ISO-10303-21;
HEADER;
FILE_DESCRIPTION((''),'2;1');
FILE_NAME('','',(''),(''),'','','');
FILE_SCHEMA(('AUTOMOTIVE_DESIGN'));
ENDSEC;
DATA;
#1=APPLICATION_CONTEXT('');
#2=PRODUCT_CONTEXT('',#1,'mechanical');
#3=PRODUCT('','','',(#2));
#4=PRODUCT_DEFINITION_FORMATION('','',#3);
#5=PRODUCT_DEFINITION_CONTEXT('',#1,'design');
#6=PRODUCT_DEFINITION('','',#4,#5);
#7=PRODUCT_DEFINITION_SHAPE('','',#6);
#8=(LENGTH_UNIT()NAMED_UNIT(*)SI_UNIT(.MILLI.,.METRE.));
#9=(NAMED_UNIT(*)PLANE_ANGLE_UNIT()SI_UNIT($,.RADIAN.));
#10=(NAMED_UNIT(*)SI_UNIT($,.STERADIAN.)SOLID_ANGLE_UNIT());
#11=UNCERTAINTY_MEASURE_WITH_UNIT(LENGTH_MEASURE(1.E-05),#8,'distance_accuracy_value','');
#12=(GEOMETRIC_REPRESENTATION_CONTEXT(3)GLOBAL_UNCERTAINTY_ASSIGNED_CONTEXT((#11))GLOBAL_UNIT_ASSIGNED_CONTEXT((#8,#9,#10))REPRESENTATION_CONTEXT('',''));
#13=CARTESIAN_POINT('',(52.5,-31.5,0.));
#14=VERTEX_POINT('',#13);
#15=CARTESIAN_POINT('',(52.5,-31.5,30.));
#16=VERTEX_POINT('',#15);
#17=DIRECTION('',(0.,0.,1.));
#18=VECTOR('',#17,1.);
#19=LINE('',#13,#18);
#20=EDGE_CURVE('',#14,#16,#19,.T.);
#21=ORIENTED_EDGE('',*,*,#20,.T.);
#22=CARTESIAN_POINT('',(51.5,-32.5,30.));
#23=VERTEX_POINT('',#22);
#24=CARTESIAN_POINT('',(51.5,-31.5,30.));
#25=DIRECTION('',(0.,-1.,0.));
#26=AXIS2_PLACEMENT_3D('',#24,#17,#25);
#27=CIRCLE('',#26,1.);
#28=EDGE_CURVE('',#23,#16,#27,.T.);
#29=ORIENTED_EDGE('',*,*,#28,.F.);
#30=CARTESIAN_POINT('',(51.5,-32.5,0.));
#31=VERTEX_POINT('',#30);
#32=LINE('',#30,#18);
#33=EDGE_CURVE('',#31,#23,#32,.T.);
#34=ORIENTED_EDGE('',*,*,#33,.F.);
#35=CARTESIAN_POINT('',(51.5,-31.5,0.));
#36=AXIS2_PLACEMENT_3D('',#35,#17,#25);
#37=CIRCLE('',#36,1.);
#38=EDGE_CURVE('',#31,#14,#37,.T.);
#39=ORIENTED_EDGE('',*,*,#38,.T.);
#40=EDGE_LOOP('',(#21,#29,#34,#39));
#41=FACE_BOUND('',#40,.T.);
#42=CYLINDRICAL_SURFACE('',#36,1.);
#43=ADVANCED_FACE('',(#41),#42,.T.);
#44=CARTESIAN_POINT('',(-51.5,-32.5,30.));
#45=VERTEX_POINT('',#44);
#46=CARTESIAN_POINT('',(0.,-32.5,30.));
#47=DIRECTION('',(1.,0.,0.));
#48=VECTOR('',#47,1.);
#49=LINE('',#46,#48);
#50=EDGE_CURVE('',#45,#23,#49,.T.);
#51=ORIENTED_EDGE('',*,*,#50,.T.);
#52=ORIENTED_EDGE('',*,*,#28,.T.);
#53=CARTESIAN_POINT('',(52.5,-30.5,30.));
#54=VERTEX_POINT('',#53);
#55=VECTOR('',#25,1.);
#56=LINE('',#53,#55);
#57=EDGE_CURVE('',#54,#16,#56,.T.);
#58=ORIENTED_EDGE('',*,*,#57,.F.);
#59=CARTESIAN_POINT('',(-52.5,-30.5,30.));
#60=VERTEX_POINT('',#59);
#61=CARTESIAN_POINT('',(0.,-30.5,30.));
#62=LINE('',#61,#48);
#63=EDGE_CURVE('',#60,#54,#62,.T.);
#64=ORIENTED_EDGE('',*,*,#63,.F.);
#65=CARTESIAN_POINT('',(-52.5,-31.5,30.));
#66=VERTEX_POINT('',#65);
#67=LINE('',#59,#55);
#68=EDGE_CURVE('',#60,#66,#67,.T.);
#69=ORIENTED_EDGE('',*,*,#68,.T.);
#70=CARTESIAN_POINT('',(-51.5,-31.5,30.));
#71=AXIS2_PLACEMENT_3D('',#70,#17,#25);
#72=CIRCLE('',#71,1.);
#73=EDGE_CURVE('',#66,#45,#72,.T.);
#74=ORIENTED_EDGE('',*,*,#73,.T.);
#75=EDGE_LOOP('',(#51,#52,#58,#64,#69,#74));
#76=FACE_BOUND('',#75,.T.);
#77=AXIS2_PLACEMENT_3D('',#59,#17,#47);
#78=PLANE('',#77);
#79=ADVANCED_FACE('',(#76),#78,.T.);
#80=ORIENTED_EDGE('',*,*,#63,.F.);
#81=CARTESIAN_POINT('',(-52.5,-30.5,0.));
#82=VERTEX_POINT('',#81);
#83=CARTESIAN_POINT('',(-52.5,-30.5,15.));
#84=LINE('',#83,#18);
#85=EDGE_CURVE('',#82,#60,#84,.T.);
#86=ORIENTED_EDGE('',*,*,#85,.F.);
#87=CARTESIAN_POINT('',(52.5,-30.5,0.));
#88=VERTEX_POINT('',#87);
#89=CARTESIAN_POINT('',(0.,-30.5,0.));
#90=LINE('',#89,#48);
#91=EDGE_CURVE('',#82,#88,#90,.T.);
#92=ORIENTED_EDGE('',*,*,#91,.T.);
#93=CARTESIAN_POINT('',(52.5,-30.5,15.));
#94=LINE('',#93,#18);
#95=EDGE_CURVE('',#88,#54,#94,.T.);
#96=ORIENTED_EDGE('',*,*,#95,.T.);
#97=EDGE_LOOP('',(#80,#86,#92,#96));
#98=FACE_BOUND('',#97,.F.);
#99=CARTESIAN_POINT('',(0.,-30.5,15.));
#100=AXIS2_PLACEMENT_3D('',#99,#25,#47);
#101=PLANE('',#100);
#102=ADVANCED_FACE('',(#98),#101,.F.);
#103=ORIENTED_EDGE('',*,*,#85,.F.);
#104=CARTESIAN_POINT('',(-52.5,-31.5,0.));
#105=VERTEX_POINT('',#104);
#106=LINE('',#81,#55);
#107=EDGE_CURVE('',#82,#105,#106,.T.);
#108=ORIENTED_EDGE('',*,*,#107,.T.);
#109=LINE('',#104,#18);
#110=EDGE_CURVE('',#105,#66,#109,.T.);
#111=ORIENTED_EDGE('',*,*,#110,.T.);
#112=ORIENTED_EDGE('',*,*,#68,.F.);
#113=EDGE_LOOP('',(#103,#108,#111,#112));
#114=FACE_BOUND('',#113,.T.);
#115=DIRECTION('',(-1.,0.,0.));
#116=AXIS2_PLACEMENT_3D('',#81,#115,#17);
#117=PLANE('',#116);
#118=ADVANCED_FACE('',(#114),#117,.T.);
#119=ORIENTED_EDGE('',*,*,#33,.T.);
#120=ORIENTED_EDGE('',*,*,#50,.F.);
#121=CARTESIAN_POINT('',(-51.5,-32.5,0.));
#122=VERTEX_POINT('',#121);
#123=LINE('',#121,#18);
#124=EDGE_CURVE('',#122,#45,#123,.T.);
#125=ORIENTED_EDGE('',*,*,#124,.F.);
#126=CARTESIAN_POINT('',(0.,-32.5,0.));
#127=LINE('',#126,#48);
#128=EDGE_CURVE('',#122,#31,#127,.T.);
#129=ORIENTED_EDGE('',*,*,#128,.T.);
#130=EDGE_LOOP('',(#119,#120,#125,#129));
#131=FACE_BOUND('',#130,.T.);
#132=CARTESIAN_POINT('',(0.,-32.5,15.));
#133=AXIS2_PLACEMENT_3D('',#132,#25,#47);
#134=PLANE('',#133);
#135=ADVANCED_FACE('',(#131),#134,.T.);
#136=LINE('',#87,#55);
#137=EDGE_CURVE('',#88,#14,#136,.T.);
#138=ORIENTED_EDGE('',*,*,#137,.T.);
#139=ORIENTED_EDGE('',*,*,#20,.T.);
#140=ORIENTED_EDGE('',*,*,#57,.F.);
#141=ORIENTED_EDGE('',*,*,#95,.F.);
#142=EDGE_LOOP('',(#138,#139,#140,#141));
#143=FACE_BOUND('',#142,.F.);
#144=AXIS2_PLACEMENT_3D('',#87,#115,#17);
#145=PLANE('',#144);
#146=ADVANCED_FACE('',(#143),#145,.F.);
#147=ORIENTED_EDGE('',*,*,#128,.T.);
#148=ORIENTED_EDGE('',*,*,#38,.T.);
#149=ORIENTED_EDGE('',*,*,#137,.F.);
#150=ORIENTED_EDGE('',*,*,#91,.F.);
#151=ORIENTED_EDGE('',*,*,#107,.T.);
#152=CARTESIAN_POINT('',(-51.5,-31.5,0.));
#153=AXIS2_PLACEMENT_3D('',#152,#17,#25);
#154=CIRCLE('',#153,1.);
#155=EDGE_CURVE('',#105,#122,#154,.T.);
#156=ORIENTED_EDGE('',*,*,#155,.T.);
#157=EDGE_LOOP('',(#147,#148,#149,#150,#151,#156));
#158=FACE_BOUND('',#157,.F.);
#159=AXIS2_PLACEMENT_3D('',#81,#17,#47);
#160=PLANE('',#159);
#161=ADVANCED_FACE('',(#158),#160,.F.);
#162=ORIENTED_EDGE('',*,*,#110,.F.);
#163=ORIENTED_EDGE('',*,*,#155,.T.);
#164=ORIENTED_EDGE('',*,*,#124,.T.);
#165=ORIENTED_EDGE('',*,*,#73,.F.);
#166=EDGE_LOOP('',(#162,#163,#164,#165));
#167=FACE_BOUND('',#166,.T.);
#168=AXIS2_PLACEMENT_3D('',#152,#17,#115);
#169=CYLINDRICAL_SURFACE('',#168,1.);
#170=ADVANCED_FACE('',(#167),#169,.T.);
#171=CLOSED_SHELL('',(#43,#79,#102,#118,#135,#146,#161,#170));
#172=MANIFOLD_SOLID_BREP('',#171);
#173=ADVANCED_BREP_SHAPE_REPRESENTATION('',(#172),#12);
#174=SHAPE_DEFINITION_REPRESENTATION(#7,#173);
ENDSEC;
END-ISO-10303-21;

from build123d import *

# Parameters (mm, degrees)
SKETCH002_W  = 105
SKETCH002_H  = 30
PAD001_DEPTH = 2
FILLET002_R  = 1
FILLET003_R  = 1


with BuildPart() as part:
    # Sketch002 → Pad001 (new body)
    with BuildSketch(Plane.XZ):
        with Locations((0, 15)):
            Rectangle(SKETCH002_W, SKETCH002_H)
    extrude(amount=PAD001_DEPTH)

    # Fillet002
    fillet002_edges = [part.edges().sort_by_distance(p)[0] for p in [
        (-52.5, -2, 15),
    ]]
    fillet(fillet002_edges, radius=FILLET002_R)

    # Fillet003
    fillet003_edges = [part.edges().sort_by_distance(p)[0] for p in [
        (52.5, -2, 15),
    ]]
    fillet(fillet003_edges, radius=FILLET003_R)


with BuildPart() as part_1:
    # Body001 placement: moved
    add(part.part.moved(Location((0, -30.5, 0))))


solid = part_1.part
